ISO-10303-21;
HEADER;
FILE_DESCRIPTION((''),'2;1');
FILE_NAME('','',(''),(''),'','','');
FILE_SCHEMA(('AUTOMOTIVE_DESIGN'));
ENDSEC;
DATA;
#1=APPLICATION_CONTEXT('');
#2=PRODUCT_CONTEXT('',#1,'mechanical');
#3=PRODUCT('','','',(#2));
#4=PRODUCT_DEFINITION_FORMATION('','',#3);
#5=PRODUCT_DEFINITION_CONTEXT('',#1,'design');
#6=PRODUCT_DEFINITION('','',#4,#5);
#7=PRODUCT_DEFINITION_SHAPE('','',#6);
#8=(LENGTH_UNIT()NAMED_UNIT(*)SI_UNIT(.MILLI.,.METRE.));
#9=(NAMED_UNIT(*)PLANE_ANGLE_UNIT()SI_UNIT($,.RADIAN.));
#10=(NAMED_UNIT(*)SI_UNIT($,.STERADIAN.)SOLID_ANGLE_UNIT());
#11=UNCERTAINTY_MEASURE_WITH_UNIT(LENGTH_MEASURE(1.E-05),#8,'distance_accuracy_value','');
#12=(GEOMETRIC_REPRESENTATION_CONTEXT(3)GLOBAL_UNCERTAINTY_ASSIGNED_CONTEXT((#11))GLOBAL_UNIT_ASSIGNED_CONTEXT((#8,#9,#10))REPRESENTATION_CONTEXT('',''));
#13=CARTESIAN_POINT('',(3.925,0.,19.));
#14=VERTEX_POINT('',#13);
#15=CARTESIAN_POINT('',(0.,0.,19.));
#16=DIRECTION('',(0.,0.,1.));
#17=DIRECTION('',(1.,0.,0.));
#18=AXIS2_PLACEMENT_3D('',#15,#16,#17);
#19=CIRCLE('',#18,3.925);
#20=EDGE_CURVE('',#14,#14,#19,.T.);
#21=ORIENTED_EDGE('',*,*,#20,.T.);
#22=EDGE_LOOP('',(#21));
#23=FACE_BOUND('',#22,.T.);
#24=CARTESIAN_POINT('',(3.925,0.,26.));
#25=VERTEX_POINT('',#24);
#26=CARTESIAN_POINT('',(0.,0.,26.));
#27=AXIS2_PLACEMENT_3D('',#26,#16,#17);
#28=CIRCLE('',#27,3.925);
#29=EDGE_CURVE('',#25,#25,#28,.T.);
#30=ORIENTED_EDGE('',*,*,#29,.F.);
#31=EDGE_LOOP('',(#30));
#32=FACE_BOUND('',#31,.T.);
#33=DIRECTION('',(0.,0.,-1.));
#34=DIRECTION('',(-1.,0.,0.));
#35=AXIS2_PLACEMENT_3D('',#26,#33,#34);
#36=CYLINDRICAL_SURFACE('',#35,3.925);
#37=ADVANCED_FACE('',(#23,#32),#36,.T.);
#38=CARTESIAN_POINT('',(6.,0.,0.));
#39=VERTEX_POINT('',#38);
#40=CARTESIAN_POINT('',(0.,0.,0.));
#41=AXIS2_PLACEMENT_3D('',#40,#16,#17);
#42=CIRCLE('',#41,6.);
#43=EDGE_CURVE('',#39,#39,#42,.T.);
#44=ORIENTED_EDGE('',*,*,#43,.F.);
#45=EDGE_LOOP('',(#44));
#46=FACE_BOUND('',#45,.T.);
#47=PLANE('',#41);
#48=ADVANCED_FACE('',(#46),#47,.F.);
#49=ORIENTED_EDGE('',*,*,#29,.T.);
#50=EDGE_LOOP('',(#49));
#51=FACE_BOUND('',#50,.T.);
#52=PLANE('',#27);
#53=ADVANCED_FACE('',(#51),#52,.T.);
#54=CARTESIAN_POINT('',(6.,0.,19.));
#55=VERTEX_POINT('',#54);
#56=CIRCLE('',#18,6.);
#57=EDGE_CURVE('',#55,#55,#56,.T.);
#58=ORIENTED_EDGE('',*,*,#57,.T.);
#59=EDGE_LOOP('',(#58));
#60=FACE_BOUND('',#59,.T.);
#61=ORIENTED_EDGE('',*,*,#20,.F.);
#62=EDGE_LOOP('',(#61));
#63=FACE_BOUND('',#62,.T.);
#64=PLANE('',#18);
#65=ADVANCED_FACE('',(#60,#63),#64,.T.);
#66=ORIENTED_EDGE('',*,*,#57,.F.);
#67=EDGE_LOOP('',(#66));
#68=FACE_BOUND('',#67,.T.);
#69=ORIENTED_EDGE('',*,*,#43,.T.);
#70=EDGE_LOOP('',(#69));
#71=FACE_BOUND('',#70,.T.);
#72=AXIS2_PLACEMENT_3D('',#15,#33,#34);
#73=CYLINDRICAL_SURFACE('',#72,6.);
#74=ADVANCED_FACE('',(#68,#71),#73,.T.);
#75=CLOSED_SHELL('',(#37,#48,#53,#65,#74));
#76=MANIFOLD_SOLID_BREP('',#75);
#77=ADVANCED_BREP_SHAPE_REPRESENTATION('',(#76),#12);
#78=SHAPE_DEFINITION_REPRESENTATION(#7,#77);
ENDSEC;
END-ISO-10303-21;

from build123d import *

# Parameters (mm, degrees)
SKIZZE1_R                       = 6
AUFSATZ_LINEAR_AUSTRAGEN1_DEPTH = 19
SKIZZE2_R                       = 3.925
AUFSATZ_LINEAR_AUSTRAGEN2_DEPTH = 7


with BuildPart() as part:
    # Skizze1 → Aufsatz-Linear austragen1 (new body)
    with BuildSketch(Plane.XY):
        Circle(SKIZZE1_R)
    extrude(amount=AUFSATZ_LINEAR_AUSTRAGEN1_DEPTH)

    # Skizze2 → Aufsatz-Linear austragen2 (add)
    with BuildSketch(Plane.XY.offset(19)):
        Circle(SKIZZE2_R)
    extrude(amount=AUFSATZ_LINEAR_AUSTRAGEN2_DEPTH)


solid = part.part
